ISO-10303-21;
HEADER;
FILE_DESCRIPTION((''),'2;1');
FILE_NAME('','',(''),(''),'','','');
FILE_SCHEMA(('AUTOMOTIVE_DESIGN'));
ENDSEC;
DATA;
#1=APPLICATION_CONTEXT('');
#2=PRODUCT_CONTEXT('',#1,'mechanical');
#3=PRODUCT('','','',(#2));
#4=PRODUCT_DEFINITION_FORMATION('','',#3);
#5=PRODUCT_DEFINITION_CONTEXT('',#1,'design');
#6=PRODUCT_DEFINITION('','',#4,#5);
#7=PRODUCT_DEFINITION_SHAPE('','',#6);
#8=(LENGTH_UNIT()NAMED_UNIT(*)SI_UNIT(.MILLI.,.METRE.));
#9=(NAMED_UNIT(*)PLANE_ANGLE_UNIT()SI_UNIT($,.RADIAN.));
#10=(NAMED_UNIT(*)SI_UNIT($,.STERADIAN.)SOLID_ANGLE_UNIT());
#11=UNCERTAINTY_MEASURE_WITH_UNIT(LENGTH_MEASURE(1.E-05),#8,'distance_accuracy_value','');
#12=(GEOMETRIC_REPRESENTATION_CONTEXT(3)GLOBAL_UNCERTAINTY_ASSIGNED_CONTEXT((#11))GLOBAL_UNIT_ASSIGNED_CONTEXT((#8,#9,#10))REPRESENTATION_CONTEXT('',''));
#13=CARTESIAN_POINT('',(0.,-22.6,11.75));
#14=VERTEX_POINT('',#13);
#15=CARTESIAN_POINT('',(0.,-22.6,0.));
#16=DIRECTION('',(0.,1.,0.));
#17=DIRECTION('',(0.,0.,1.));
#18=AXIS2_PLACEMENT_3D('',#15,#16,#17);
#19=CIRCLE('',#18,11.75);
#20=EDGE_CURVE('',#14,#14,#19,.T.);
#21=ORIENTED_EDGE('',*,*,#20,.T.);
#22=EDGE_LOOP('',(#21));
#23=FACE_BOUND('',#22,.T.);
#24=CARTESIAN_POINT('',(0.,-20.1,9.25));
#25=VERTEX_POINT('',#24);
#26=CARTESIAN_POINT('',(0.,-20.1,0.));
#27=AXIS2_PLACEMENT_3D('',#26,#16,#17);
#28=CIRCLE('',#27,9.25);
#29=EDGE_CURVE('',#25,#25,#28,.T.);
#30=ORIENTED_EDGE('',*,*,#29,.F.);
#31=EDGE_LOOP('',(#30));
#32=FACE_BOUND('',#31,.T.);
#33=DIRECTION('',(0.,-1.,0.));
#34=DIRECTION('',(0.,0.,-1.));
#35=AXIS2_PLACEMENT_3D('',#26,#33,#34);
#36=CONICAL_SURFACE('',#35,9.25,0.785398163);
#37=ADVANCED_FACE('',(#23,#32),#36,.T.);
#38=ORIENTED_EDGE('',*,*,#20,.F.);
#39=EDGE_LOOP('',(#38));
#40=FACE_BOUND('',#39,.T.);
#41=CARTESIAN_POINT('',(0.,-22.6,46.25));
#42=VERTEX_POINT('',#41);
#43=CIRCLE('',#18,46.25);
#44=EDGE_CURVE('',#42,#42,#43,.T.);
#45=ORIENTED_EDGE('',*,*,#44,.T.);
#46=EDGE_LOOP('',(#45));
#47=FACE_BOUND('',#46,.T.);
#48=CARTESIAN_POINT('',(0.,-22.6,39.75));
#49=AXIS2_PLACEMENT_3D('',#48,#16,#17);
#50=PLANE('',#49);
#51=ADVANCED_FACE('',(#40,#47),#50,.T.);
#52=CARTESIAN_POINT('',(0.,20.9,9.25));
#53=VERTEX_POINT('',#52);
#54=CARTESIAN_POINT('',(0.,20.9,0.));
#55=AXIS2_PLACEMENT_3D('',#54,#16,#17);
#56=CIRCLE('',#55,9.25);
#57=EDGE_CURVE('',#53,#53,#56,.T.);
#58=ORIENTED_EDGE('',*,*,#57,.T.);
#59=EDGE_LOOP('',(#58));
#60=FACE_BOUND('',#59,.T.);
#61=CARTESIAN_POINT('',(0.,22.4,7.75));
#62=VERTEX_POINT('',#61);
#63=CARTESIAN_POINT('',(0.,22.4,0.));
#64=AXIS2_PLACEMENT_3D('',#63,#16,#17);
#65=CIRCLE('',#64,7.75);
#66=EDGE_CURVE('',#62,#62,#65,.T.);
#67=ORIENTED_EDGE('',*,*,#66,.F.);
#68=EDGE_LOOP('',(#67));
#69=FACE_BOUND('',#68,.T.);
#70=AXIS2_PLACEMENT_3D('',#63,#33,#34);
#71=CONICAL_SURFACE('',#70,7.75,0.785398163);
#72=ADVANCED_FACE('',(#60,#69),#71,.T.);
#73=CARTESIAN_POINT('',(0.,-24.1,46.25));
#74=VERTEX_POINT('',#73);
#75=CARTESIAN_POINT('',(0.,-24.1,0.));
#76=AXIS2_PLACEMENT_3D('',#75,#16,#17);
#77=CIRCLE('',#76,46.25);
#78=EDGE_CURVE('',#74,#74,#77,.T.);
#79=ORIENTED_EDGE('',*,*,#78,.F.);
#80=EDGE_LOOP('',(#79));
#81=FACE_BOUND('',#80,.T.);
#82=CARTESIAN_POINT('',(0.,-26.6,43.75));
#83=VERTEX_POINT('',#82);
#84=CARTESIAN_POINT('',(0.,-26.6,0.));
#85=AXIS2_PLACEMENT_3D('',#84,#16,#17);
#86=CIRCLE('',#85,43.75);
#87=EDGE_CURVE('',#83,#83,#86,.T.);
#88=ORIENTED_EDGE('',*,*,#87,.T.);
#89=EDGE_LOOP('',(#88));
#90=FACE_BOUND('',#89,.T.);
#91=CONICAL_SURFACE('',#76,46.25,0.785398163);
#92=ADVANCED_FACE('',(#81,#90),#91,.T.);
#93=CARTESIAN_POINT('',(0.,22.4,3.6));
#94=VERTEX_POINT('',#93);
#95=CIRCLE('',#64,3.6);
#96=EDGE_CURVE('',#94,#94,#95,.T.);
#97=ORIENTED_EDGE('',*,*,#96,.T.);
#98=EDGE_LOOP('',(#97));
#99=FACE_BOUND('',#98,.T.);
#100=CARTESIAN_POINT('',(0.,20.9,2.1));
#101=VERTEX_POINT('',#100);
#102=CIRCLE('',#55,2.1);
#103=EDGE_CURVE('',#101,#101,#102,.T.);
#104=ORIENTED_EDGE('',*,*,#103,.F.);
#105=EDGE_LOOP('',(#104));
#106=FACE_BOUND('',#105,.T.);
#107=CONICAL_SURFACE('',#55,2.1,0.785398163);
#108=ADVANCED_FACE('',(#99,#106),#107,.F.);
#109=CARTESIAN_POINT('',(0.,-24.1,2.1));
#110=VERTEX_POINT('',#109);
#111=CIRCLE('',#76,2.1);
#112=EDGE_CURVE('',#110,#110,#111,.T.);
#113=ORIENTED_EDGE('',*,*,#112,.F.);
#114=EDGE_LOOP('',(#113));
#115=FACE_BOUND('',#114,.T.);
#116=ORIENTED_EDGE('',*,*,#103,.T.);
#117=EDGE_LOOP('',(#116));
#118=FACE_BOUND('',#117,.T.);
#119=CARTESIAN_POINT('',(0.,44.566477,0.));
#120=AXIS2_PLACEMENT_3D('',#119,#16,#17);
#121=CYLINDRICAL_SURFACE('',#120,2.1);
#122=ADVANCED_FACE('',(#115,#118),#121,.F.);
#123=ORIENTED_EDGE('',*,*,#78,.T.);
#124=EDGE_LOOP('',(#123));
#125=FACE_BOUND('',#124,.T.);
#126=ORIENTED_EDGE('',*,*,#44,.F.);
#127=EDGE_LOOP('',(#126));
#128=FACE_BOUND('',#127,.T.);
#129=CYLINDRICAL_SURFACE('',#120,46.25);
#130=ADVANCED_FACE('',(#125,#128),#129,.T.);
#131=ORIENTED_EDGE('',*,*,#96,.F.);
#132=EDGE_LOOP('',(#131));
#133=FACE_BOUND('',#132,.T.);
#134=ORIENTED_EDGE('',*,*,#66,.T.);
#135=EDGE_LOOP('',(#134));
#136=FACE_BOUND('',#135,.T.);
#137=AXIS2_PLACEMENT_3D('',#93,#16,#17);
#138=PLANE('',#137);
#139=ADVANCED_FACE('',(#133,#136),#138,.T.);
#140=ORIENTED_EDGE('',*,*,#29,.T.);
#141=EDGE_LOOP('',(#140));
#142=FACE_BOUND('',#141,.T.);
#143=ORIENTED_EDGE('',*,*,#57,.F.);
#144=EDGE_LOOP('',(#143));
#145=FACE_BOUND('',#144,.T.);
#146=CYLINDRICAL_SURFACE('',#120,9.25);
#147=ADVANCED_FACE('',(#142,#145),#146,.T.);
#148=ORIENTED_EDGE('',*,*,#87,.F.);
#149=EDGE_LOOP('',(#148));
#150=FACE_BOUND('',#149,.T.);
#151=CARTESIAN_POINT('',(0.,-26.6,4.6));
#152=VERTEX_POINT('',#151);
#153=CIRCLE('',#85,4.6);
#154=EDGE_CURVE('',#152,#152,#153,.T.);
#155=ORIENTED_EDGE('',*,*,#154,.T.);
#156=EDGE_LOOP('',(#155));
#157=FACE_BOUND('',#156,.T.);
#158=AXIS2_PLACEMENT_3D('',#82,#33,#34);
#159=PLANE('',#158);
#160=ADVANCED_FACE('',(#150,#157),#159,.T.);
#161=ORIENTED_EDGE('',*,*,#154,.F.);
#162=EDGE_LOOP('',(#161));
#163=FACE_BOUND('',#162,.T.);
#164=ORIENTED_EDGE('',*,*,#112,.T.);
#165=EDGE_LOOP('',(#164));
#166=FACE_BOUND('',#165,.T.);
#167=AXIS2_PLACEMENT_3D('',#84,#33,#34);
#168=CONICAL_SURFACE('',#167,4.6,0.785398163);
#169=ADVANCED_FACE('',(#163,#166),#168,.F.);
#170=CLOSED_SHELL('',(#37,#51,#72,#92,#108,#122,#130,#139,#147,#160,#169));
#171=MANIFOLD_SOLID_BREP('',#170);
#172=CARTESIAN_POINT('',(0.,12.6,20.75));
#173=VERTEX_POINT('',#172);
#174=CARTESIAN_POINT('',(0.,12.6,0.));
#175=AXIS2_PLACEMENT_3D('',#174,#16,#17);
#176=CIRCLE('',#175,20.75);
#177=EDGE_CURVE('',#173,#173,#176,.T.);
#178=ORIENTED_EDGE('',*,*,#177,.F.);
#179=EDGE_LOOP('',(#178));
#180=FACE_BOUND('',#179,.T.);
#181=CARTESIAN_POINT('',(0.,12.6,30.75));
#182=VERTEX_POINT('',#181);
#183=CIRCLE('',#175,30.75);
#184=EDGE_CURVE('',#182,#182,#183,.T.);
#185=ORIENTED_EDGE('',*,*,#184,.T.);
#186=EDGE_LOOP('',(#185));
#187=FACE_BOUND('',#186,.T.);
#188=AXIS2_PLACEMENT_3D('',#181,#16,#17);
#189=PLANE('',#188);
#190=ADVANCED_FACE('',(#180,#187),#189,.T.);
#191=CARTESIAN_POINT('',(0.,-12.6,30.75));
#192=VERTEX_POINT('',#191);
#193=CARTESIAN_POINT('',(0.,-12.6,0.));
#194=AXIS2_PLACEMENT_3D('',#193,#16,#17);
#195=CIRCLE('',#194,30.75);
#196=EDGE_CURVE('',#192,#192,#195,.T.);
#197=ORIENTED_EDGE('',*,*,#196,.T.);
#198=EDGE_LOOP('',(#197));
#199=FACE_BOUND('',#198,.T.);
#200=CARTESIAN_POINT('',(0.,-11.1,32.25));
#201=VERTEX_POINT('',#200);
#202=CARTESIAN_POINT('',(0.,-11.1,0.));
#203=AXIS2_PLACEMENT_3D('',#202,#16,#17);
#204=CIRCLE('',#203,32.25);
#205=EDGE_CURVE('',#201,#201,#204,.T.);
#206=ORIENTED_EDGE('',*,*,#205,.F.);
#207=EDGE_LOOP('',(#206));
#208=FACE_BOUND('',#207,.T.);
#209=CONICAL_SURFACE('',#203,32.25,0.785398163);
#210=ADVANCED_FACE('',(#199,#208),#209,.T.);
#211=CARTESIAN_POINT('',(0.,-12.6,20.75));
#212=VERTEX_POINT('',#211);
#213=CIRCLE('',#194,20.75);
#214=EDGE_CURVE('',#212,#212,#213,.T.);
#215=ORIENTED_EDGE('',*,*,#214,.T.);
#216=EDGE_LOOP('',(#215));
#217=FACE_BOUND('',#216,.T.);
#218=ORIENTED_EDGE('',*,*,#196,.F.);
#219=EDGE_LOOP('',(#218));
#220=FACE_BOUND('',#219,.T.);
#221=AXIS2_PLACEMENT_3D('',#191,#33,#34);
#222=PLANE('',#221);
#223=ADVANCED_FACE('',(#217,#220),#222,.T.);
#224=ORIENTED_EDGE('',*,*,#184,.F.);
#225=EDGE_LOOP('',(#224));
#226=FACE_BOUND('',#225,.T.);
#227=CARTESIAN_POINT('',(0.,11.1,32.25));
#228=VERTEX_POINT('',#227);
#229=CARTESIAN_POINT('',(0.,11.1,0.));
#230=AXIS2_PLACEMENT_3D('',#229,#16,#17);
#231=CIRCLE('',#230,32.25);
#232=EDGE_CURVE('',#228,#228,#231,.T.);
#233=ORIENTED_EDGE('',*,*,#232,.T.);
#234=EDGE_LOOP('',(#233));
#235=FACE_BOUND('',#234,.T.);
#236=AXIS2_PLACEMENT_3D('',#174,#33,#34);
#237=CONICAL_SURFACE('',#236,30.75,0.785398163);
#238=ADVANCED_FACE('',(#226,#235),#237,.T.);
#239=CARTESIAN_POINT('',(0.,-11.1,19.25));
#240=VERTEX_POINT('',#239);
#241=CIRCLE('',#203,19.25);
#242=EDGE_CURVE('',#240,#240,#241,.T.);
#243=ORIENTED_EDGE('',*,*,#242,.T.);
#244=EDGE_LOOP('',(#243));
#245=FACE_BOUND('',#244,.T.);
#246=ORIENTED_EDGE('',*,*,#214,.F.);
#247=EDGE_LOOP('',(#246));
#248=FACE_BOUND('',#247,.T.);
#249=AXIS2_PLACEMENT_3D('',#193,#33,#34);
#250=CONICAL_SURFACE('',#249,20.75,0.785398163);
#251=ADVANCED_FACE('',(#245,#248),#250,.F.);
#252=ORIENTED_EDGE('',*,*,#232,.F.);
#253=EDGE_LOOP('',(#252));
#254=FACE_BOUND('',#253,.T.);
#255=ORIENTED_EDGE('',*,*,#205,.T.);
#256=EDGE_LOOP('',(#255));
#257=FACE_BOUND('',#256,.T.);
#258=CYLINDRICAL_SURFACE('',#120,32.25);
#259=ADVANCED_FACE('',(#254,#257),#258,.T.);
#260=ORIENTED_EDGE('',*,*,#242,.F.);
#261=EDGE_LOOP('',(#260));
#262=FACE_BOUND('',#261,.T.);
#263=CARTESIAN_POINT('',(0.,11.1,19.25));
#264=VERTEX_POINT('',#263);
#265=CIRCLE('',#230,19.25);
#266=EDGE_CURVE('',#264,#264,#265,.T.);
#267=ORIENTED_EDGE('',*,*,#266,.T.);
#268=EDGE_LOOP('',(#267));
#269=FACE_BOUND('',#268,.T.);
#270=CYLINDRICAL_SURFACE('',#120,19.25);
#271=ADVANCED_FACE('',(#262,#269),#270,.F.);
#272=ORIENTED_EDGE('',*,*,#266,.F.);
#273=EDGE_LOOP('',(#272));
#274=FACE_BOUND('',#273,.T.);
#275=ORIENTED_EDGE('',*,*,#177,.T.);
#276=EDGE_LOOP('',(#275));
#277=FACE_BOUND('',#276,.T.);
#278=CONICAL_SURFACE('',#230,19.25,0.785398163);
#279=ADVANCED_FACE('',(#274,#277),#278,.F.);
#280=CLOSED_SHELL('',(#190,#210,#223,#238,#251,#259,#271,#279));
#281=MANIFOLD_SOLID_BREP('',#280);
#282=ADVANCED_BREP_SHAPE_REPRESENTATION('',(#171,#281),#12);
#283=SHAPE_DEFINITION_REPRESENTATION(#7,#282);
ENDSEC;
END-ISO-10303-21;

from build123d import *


with BuildPart() as part:
    # Sketch2 → Revolve1 (revolve)
    with BuildSketch(Plane(origin=(0, 0, 0), x_dir=(0, 0, -1), z_dir=(1, 0, 0))):
        Polygon((-32.25, 11.1), (-30.75, 12.6), (-20.75, 12.6), (-19.25, 11.1), (-19.25, -11.1), (-20.75, -12.6), (-30.75, -12.6), (-32.25, -11.1), align=None)
        Polygon((-39.75, -22.6), (-11.75, -22.6), (-9.25, -20.1), (-9.25, 20.9), (-7.75, 22.4), (-3.6, 22.4), (-2.1, 20.9), (-2.1, -24.1), (-4.6, -26.6), (-43.75, -26.6), (-46.25, -24.1), (-46.25, -22.6), align=None)
    revolve(axis=Axis((0, 44.566477302, 0), (0, -1, 0)))


solid = part.part
